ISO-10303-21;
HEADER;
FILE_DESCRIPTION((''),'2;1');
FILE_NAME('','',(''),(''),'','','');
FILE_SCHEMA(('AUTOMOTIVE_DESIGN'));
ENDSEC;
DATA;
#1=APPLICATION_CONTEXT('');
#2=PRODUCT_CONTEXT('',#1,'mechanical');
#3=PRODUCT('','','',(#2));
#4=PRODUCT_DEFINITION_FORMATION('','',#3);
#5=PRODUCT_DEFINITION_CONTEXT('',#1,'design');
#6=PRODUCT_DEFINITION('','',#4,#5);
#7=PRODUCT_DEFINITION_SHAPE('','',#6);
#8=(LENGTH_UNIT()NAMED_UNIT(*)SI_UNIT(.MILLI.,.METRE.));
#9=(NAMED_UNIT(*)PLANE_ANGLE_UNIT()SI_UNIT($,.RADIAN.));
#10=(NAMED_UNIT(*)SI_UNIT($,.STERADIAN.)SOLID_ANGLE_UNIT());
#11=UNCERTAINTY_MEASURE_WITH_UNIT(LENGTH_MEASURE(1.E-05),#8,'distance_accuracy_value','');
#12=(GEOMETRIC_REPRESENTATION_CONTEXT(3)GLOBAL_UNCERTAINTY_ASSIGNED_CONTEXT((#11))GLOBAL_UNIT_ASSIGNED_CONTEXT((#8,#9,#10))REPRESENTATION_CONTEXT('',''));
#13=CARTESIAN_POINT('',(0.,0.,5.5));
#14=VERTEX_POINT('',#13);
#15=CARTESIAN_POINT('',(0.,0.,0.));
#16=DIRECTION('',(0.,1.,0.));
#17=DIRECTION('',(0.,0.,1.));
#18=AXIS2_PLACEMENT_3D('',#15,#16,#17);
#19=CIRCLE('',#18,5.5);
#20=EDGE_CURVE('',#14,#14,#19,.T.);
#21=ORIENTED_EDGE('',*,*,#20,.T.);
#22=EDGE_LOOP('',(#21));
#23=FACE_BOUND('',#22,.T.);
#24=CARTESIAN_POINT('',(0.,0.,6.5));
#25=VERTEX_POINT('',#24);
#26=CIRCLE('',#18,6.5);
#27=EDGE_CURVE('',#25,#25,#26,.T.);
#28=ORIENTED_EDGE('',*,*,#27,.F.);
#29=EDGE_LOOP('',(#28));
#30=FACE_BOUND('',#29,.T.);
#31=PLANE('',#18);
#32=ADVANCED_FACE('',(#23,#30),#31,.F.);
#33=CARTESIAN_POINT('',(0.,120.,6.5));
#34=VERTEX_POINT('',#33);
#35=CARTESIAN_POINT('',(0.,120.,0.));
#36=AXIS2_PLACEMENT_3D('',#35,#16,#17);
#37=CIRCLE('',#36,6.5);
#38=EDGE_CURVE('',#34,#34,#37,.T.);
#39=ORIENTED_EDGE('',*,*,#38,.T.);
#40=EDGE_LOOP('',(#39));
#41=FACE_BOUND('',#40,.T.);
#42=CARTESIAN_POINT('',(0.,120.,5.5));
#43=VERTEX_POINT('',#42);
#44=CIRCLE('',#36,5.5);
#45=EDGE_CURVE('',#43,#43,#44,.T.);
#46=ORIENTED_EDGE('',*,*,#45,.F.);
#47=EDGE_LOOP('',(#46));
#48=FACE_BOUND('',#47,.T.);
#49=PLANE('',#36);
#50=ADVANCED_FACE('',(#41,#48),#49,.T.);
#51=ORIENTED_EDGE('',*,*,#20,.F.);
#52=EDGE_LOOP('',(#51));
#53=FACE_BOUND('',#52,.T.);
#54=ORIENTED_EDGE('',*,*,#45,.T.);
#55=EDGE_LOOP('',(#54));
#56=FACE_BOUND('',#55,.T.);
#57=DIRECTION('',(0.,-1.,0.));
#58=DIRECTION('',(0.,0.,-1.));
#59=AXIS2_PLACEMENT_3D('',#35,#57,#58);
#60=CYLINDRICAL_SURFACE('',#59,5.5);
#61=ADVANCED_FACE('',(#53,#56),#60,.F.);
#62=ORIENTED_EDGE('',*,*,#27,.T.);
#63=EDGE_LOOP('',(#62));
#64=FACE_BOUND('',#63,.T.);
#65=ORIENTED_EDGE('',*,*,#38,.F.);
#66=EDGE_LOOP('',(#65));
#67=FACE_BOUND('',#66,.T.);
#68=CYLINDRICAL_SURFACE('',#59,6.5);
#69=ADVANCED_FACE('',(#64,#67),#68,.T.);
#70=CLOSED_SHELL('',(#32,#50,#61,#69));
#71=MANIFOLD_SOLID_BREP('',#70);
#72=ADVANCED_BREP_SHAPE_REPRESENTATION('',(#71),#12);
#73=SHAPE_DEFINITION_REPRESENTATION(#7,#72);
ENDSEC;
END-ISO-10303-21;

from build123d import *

# Parameters (mm, degrees)
SKETCH1_R           = 6.5
SKETCH1_R_2         = 5.5
BOSS_EXTRUDE1_DEPTH = 120


with BuildPart() as part:
    # Sketch1 → Boss-Extrude1 (new body)
    with BuildSketch(Plane(origin=(0, 0, 0), x_dir=(1, 0, 0), z_dir=(0, 1, 0))):
        Circle(SKETCH1_R)
        Circle(SKETCH1_R_2, mode=Mode.SUBTRACT)
    extrude(amount=BOSS_EXTRUDE1_DEPTH)


solid = part.part
